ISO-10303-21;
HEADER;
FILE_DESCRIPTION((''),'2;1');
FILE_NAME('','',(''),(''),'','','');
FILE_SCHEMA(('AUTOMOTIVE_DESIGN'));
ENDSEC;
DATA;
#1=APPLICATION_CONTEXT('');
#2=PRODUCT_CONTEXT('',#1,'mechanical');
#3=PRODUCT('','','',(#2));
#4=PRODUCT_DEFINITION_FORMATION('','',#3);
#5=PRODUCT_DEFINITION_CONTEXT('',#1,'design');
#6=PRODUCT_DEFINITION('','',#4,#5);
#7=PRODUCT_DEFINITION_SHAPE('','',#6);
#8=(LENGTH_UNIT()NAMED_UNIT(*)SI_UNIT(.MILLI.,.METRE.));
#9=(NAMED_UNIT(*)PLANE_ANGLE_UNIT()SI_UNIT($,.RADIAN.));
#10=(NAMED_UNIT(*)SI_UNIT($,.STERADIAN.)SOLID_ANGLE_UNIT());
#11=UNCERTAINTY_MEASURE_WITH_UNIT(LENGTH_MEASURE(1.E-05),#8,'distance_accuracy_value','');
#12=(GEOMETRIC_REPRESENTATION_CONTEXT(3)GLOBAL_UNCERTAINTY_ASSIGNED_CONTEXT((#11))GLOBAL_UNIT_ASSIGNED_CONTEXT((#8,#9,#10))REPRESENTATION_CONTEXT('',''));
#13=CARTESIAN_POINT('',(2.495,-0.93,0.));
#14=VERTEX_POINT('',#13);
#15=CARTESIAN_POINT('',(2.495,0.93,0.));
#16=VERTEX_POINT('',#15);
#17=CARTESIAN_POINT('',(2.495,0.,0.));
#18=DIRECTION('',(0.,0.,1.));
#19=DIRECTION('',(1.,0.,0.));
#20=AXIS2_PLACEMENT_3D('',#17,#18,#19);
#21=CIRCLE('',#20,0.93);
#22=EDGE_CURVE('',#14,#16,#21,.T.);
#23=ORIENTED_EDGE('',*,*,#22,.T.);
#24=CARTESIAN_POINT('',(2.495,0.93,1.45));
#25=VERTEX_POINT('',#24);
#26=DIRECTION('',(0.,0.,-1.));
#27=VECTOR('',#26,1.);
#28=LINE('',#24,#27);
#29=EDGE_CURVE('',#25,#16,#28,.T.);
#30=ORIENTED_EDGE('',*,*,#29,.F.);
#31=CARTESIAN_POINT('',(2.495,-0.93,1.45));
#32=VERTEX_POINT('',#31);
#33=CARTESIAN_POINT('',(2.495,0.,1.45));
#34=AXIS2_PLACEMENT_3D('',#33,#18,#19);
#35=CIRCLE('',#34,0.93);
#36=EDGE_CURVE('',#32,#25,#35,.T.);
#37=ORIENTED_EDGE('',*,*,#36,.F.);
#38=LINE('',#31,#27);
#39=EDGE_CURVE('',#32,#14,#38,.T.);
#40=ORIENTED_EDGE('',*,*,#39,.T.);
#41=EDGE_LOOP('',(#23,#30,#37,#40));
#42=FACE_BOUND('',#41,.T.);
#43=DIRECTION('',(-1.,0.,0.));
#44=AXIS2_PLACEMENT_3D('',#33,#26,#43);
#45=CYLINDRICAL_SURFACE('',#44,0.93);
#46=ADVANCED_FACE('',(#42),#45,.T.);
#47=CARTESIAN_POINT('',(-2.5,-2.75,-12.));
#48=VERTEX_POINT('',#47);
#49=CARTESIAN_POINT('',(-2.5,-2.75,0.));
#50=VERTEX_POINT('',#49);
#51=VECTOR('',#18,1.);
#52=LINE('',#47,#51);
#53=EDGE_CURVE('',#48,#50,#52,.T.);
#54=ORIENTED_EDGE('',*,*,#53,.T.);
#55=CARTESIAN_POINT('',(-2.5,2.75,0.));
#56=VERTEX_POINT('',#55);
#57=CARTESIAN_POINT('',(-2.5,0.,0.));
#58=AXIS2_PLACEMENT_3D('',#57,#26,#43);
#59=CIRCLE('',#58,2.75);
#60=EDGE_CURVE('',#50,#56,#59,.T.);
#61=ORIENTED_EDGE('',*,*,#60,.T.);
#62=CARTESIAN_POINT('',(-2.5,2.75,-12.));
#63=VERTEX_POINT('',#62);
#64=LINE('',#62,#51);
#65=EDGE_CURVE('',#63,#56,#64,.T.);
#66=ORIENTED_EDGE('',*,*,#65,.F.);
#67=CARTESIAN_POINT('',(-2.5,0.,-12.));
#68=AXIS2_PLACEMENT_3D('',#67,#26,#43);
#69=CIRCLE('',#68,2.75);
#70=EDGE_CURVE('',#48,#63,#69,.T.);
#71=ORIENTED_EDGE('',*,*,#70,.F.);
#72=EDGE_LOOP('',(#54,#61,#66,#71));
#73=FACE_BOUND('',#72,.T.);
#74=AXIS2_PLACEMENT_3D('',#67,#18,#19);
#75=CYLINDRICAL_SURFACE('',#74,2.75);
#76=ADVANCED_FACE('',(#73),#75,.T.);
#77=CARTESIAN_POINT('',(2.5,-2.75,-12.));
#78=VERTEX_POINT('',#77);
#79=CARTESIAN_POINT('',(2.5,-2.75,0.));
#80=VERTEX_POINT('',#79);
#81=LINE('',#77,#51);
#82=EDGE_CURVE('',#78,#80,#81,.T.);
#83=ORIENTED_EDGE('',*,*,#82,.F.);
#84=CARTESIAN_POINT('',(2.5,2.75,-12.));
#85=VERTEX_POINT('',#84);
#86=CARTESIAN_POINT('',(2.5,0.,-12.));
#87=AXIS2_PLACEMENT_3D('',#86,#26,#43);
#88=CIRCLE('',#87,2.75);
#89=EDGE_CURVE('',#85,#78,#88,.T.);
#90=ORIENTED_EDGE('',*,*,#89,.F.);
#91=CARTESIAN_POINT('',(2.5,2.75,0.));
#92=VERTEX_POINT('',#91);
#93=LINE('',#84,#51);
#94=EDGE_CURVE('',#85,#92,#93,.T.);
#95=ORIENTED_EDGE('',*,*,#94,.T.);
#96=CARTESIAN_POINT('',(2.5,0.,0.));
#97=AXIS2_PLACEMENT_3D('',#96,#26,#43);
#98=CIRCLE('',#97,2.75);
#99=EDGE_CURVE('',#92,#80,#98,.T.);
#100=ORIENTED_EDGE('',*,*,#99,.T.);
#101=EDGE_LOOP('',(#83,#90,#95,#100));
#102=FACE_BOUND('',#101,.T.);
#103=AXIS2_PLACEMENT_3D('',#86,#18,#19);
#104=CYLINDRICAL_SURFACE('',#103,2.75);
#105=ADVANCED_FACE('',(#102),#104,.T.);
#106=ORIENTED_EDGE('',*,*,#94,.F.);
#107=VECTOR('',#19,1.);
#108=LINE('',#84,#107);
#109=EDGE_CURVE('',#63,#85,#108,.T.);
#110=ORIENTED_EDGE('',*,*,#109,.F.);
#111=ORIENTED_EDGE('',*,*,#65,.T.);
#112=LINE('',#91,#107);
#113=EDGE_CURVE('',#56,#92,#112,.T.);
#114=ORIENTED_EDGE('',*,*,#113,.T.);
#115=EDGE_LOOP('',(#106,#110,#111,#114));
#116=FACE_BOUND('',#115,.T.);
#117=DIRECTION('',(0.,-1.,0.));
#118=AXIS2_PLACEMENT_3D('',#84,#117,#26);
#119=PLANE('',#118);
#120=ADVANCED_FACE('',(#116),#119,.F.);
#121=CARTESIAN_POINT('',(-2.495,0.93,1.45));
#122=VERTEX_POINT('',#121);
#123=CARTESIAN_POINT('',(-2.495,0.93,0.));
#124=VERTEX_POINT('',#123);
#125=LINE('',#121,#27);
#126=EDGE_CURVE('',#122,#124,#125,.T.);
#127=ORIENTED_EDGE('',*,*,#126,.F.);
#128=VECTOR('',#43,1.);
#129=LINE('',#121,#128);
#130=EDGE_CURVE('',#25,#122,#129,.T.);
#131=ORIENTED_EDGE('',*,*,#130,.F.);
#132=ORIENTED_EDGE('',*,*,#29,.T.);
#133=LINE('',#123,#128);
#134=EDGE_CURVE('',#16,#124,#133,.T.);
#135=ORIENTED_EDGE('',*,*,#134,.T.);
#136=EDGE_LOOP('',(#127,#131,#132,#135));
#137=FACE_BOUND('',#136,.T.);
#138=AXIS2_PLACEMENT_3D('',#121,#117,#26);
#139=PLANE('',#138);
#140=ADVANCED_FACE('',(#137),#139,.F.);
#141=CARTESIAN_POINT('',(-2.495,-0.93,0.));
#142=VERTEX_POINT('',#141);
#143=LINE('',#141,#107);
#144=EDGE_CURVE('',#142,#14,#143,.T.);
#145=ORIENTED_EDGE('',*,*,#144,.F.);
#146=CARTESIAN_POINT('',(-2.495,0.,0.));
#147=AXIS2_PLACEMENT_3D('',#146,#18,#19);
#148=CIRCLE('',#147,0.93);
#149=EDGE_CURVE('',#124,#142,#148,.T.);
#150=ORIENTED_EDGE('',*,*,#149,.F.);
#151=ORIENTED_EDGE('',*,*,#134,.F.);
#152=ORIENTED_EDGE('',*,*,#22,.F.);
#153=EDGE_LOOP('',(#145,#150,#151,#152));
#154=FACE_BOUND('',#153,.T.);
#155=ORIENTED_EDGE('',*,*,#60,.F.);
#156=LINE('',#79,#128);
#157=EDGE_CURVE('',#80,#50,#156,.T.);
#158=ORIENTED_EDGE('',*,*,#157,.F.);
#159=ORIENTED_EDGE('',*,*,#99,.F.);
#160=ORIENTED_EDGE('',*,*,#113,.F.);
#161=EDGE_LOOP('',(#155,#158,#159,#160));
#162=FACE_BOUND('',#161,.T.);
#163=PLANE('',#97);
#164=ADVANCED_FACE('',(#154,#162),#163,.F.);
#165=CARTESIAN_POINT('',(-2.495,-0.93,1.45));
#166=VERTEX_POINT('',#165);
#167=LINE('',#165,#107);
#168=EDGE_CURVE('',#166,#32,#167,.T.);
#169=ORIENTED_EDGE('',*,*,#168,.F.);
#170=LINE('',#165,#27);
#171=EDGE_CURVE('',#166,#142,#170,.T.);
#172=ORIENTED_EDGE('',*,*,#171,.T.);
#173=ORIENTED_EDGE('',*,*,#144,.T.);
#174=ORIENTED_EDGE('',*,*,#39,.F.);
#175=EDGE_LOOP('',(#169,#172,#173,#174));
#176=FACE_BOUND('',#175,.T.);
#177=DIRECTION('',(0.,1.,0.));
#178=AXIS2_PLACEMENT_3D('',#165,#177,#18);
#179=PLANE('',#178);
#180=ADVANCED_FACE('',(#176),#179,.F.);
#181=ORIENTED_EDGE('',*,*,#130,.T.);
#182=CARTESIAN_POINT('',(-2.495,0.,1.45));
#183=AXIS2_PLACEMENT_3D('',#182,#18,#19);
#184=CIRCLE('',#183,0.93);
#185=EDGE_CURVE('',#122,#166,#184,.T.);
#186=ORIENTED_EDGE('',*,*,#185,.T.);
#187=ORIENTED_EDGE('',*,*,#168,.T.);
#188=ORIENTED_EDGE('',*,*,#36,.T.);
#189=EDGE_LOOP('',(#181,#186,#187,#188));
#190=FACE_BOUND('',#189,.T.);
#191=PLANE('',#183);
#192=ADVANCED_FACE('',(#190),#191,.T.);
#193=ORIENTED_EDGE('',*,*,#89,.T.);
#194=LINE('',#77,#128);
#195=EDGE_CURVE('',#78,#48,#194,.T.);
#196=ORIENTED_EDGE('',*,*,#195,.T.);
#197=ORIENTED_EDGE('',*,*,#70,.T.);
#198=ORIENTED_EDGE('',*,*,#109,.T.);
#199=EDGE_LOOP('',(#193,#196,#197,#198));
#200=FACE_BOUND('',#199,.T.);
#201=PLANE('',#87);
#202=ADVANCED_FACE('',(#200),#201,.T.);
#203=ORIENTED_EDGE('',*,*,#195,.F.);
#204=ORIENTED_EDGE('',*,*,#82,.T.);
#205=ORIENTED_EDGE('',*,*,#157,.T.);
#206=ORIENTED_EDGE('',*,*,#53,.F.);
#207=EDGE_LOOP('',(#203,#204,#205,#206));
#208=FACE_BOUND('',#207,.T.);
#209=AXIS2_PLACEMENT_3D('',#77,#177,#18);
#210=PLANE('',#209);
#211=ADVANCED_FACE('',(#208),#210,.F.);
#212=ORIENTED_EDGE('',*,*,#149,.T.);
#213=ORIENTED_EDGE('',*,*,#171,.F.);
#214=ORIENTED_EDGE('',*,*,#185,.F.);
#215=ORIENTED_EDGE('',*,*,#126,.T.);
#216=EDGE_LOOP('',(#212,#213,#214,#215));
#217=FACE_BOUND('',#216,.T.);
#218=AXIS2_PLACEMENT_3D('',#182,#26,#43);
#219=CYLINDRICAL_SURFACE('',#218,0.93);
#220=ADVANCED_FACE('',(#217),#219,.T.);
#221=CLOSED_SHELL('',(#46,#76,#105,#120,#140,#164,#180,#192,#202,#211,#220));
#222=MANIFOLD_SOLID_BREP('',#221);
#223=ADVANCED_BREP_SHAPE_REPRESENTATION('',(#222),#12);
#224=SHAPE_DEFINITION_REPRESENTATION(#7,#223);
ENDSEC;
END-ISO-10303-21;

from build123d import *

# Parameters (mm, degrees)
BOSS_EXTRUDE1_DEPTH = 1.45
BOSS_EXTRUDE2_DEPTH = 12


with BuildPart() as part:
    # Sketch1 → Boss-Extrude1 (new body)
    with BuildSketch(Plane.XY):
        with BuildLine():
            Line((-2.495, 0.93), (2.495, 0.93))
            ThreePointArc((2.495, 0.93), (3.425, 0), (2.495, -0.93))
            Line((2.495, -0.93), (-2.495, -0.93))
            ThreePointArc((-2.495, -0.93), (-3.425, 0), (-2.495, 0.93))
        make_face()
    extrude(amount=BOSS_EXTRUDE1_DEPTH)

    # Sketch2 → Boss-Extrude2 (add)
    with BuildSketch(Plane(origin=(0, 0, 0), x_dir=(-1, 0, 0), z_dir=(0, 0, -1))):
        with BuildLine():
            Line((-2.5, 2.75), (2.5, 2.75))
            ThreePointArc((2.5, 2.75), (5.25, 0), (2.5, -2.75))
            Line((2.5, -2.75), (-2.5, -2.75))
            ThreePointArc((-2.5, -2.75), (-5.25, 0), (-2.5, 2.75))
        make_face()
    extrude(amount=BOSS_EXTRUDE2_DEPTH)


solid = part.part
